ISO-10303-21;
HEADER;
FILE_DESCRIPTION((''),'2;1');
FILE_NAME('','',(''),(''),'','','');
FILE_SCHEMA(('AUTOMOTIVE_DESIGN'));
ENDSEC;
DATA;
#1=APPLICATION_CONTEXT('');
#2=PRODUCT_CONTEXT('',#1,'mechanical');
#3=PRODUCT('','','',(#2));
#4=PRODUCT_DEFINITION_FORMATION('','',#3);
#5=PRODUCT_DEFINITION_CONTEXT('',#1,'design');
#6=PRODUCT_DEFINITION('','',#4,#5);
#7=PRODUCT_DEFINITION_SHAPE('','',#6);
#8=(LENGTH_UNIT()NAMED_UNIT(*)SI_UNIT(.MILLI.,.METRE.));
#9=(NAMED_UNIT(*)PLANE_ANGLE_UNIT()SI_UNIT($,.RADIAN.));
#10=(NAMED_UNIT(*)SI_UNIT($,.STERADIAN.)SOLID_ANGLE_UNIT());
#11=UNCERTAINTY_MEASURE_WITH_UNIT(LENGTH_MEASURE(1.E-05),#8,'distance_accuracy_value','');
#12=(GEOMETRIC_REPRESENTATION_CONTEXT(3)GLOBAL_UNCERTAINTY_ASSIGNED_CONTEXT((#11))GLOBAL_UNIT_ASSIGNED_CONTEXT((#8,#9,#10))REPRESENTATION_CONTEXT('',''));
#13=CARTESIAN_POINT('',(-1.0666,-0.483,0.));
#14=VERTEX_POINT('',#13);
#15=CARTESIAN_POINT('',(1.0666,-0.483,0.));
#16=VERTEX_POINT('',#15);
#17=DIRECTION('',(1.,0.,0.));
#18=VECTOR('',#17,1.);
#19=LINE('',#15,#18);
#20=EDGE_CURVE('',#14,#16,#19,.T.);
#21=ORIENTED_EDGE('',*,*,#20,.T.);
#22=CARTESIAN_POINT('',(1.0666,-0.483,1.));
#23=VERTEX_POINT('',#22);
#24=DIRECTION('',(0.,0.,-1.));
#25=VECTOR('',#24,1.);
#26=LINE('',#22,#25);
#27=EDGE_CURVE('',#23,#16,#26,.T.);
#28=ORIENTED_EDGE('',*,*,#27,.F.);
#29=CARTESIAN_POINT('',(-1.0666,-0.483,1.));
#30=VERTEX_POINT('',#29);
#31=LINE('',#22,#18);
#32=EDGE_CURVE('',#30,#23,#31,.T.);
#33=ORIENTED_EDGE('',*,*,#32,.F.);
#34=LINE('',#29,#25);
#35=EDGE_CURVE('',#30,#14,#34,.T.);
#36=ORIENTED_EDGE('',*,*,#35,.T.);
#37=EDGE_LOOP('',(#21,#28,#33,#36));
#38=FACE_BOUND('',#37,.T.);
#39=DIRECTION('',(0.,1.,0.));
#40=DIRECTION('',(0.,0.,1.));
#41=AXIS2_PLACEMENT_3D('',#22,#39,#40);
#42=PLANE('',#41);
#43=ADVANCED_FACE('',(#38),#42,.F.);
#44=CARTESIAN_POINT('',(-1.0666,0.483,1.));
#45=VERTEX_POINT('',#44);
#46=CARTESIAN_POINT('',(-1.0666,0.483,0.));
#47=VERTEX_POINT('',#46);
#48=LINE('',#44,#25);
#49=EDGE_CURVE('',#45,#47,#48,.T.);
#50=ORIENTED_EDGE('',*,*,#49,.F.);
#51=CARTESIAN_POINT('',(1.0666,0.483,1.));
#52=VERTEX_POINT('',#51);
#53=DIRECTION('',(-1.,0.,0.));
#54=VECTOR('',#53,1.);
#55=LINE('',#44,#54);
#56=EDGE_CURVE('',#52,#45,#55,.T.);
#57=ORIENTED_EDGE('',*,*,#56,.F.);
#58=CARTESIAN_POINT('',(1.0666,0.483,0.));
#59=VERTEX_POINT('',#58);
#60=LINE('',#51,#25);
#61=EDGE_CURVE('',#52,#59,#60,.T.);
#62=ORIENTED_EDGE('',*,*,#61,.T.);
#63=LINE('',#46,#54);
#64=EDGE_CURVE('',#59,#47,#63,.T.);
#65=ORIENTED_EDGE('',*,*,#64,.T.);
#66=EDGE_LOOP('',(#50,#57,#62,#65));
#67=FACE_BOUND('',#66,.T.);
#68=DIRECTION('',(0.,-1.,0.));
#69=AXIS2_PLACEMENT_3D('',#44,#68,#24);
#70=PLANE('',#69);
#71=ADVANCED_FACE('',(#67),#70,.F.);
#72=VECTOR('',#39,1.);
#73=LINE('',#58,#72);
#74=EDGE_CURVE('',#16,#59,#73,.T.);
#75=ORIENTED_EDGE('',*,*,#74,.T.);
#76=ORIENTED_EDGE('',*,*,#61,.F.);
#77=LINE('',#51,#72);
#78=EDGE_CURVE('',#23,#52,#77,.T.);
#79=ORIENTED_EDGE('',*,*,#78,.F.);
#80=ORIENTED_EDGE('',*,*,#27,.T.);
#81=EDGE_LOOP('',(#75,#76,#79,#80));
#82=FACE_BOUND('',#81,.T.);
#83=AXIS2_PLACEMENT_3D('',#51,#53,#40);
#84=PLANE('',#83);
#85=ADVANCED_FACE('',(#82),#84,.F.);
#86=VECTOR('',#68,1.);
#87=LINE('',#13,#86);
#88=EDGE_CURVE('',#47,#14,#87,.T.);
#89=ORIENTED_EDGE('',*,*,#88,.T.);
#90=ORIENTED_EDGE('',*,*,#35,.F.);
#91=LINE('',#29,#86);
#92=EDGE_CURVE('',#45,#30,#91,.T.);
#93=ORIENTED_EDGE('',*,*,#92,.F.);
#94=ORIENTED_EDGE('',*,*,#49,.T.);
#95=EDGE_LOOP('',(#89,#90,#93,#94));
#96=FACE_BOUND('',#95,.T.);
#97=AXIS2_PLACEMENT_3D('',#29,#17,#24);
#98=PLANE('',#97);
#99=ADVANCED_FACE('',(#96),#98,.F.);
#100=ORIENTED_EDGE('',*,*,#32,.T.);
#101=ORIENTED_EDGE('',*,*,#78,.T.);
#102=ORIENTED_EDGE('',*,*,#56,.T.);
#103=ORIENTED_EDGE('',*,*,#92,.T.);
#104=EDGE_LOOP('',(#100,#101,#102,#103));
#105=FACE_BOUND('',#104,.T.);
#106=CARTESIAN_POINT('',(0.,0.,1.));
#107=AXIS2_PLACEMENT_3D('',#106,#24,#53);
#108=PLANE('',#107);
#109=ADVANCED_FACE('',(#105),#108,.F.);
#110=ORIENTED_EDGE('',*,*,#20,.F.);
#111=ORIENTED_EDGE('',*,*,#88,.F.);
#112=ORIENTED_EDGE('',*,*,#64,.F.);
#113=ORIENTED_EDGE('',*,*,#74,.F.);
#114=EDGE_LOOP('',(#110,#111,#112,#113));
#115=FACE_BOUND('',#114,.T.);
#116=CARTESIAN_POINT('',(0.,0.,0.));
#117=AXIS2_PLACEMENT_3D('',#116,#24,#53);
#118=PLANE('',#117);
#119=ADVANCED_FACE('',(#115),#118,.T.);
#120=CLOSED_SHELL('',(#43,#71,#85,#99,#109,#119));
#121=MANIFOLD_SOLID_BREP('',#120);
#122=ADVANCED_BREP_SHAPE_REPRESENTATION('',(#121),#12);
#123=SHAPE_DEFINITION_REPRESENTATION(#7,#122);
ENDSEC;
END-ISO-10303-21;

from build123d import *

# Parameters (mm, degrees)
SKETCH1_W               = 2.1332
SKETCH1_H               = 0.966
COMPONENT_OUTLINE_DEPTH = 1


with BuildPart() as part:
    # Sketch1 → Component_Outline (new body)
    with BuildSketch(Plane.XY):
        Rectangle(SKETCH1_W, SKETCH1_H)
    extrude(amount=COMPONENT_OUTLINE_DEPTH)


solid = part.part
